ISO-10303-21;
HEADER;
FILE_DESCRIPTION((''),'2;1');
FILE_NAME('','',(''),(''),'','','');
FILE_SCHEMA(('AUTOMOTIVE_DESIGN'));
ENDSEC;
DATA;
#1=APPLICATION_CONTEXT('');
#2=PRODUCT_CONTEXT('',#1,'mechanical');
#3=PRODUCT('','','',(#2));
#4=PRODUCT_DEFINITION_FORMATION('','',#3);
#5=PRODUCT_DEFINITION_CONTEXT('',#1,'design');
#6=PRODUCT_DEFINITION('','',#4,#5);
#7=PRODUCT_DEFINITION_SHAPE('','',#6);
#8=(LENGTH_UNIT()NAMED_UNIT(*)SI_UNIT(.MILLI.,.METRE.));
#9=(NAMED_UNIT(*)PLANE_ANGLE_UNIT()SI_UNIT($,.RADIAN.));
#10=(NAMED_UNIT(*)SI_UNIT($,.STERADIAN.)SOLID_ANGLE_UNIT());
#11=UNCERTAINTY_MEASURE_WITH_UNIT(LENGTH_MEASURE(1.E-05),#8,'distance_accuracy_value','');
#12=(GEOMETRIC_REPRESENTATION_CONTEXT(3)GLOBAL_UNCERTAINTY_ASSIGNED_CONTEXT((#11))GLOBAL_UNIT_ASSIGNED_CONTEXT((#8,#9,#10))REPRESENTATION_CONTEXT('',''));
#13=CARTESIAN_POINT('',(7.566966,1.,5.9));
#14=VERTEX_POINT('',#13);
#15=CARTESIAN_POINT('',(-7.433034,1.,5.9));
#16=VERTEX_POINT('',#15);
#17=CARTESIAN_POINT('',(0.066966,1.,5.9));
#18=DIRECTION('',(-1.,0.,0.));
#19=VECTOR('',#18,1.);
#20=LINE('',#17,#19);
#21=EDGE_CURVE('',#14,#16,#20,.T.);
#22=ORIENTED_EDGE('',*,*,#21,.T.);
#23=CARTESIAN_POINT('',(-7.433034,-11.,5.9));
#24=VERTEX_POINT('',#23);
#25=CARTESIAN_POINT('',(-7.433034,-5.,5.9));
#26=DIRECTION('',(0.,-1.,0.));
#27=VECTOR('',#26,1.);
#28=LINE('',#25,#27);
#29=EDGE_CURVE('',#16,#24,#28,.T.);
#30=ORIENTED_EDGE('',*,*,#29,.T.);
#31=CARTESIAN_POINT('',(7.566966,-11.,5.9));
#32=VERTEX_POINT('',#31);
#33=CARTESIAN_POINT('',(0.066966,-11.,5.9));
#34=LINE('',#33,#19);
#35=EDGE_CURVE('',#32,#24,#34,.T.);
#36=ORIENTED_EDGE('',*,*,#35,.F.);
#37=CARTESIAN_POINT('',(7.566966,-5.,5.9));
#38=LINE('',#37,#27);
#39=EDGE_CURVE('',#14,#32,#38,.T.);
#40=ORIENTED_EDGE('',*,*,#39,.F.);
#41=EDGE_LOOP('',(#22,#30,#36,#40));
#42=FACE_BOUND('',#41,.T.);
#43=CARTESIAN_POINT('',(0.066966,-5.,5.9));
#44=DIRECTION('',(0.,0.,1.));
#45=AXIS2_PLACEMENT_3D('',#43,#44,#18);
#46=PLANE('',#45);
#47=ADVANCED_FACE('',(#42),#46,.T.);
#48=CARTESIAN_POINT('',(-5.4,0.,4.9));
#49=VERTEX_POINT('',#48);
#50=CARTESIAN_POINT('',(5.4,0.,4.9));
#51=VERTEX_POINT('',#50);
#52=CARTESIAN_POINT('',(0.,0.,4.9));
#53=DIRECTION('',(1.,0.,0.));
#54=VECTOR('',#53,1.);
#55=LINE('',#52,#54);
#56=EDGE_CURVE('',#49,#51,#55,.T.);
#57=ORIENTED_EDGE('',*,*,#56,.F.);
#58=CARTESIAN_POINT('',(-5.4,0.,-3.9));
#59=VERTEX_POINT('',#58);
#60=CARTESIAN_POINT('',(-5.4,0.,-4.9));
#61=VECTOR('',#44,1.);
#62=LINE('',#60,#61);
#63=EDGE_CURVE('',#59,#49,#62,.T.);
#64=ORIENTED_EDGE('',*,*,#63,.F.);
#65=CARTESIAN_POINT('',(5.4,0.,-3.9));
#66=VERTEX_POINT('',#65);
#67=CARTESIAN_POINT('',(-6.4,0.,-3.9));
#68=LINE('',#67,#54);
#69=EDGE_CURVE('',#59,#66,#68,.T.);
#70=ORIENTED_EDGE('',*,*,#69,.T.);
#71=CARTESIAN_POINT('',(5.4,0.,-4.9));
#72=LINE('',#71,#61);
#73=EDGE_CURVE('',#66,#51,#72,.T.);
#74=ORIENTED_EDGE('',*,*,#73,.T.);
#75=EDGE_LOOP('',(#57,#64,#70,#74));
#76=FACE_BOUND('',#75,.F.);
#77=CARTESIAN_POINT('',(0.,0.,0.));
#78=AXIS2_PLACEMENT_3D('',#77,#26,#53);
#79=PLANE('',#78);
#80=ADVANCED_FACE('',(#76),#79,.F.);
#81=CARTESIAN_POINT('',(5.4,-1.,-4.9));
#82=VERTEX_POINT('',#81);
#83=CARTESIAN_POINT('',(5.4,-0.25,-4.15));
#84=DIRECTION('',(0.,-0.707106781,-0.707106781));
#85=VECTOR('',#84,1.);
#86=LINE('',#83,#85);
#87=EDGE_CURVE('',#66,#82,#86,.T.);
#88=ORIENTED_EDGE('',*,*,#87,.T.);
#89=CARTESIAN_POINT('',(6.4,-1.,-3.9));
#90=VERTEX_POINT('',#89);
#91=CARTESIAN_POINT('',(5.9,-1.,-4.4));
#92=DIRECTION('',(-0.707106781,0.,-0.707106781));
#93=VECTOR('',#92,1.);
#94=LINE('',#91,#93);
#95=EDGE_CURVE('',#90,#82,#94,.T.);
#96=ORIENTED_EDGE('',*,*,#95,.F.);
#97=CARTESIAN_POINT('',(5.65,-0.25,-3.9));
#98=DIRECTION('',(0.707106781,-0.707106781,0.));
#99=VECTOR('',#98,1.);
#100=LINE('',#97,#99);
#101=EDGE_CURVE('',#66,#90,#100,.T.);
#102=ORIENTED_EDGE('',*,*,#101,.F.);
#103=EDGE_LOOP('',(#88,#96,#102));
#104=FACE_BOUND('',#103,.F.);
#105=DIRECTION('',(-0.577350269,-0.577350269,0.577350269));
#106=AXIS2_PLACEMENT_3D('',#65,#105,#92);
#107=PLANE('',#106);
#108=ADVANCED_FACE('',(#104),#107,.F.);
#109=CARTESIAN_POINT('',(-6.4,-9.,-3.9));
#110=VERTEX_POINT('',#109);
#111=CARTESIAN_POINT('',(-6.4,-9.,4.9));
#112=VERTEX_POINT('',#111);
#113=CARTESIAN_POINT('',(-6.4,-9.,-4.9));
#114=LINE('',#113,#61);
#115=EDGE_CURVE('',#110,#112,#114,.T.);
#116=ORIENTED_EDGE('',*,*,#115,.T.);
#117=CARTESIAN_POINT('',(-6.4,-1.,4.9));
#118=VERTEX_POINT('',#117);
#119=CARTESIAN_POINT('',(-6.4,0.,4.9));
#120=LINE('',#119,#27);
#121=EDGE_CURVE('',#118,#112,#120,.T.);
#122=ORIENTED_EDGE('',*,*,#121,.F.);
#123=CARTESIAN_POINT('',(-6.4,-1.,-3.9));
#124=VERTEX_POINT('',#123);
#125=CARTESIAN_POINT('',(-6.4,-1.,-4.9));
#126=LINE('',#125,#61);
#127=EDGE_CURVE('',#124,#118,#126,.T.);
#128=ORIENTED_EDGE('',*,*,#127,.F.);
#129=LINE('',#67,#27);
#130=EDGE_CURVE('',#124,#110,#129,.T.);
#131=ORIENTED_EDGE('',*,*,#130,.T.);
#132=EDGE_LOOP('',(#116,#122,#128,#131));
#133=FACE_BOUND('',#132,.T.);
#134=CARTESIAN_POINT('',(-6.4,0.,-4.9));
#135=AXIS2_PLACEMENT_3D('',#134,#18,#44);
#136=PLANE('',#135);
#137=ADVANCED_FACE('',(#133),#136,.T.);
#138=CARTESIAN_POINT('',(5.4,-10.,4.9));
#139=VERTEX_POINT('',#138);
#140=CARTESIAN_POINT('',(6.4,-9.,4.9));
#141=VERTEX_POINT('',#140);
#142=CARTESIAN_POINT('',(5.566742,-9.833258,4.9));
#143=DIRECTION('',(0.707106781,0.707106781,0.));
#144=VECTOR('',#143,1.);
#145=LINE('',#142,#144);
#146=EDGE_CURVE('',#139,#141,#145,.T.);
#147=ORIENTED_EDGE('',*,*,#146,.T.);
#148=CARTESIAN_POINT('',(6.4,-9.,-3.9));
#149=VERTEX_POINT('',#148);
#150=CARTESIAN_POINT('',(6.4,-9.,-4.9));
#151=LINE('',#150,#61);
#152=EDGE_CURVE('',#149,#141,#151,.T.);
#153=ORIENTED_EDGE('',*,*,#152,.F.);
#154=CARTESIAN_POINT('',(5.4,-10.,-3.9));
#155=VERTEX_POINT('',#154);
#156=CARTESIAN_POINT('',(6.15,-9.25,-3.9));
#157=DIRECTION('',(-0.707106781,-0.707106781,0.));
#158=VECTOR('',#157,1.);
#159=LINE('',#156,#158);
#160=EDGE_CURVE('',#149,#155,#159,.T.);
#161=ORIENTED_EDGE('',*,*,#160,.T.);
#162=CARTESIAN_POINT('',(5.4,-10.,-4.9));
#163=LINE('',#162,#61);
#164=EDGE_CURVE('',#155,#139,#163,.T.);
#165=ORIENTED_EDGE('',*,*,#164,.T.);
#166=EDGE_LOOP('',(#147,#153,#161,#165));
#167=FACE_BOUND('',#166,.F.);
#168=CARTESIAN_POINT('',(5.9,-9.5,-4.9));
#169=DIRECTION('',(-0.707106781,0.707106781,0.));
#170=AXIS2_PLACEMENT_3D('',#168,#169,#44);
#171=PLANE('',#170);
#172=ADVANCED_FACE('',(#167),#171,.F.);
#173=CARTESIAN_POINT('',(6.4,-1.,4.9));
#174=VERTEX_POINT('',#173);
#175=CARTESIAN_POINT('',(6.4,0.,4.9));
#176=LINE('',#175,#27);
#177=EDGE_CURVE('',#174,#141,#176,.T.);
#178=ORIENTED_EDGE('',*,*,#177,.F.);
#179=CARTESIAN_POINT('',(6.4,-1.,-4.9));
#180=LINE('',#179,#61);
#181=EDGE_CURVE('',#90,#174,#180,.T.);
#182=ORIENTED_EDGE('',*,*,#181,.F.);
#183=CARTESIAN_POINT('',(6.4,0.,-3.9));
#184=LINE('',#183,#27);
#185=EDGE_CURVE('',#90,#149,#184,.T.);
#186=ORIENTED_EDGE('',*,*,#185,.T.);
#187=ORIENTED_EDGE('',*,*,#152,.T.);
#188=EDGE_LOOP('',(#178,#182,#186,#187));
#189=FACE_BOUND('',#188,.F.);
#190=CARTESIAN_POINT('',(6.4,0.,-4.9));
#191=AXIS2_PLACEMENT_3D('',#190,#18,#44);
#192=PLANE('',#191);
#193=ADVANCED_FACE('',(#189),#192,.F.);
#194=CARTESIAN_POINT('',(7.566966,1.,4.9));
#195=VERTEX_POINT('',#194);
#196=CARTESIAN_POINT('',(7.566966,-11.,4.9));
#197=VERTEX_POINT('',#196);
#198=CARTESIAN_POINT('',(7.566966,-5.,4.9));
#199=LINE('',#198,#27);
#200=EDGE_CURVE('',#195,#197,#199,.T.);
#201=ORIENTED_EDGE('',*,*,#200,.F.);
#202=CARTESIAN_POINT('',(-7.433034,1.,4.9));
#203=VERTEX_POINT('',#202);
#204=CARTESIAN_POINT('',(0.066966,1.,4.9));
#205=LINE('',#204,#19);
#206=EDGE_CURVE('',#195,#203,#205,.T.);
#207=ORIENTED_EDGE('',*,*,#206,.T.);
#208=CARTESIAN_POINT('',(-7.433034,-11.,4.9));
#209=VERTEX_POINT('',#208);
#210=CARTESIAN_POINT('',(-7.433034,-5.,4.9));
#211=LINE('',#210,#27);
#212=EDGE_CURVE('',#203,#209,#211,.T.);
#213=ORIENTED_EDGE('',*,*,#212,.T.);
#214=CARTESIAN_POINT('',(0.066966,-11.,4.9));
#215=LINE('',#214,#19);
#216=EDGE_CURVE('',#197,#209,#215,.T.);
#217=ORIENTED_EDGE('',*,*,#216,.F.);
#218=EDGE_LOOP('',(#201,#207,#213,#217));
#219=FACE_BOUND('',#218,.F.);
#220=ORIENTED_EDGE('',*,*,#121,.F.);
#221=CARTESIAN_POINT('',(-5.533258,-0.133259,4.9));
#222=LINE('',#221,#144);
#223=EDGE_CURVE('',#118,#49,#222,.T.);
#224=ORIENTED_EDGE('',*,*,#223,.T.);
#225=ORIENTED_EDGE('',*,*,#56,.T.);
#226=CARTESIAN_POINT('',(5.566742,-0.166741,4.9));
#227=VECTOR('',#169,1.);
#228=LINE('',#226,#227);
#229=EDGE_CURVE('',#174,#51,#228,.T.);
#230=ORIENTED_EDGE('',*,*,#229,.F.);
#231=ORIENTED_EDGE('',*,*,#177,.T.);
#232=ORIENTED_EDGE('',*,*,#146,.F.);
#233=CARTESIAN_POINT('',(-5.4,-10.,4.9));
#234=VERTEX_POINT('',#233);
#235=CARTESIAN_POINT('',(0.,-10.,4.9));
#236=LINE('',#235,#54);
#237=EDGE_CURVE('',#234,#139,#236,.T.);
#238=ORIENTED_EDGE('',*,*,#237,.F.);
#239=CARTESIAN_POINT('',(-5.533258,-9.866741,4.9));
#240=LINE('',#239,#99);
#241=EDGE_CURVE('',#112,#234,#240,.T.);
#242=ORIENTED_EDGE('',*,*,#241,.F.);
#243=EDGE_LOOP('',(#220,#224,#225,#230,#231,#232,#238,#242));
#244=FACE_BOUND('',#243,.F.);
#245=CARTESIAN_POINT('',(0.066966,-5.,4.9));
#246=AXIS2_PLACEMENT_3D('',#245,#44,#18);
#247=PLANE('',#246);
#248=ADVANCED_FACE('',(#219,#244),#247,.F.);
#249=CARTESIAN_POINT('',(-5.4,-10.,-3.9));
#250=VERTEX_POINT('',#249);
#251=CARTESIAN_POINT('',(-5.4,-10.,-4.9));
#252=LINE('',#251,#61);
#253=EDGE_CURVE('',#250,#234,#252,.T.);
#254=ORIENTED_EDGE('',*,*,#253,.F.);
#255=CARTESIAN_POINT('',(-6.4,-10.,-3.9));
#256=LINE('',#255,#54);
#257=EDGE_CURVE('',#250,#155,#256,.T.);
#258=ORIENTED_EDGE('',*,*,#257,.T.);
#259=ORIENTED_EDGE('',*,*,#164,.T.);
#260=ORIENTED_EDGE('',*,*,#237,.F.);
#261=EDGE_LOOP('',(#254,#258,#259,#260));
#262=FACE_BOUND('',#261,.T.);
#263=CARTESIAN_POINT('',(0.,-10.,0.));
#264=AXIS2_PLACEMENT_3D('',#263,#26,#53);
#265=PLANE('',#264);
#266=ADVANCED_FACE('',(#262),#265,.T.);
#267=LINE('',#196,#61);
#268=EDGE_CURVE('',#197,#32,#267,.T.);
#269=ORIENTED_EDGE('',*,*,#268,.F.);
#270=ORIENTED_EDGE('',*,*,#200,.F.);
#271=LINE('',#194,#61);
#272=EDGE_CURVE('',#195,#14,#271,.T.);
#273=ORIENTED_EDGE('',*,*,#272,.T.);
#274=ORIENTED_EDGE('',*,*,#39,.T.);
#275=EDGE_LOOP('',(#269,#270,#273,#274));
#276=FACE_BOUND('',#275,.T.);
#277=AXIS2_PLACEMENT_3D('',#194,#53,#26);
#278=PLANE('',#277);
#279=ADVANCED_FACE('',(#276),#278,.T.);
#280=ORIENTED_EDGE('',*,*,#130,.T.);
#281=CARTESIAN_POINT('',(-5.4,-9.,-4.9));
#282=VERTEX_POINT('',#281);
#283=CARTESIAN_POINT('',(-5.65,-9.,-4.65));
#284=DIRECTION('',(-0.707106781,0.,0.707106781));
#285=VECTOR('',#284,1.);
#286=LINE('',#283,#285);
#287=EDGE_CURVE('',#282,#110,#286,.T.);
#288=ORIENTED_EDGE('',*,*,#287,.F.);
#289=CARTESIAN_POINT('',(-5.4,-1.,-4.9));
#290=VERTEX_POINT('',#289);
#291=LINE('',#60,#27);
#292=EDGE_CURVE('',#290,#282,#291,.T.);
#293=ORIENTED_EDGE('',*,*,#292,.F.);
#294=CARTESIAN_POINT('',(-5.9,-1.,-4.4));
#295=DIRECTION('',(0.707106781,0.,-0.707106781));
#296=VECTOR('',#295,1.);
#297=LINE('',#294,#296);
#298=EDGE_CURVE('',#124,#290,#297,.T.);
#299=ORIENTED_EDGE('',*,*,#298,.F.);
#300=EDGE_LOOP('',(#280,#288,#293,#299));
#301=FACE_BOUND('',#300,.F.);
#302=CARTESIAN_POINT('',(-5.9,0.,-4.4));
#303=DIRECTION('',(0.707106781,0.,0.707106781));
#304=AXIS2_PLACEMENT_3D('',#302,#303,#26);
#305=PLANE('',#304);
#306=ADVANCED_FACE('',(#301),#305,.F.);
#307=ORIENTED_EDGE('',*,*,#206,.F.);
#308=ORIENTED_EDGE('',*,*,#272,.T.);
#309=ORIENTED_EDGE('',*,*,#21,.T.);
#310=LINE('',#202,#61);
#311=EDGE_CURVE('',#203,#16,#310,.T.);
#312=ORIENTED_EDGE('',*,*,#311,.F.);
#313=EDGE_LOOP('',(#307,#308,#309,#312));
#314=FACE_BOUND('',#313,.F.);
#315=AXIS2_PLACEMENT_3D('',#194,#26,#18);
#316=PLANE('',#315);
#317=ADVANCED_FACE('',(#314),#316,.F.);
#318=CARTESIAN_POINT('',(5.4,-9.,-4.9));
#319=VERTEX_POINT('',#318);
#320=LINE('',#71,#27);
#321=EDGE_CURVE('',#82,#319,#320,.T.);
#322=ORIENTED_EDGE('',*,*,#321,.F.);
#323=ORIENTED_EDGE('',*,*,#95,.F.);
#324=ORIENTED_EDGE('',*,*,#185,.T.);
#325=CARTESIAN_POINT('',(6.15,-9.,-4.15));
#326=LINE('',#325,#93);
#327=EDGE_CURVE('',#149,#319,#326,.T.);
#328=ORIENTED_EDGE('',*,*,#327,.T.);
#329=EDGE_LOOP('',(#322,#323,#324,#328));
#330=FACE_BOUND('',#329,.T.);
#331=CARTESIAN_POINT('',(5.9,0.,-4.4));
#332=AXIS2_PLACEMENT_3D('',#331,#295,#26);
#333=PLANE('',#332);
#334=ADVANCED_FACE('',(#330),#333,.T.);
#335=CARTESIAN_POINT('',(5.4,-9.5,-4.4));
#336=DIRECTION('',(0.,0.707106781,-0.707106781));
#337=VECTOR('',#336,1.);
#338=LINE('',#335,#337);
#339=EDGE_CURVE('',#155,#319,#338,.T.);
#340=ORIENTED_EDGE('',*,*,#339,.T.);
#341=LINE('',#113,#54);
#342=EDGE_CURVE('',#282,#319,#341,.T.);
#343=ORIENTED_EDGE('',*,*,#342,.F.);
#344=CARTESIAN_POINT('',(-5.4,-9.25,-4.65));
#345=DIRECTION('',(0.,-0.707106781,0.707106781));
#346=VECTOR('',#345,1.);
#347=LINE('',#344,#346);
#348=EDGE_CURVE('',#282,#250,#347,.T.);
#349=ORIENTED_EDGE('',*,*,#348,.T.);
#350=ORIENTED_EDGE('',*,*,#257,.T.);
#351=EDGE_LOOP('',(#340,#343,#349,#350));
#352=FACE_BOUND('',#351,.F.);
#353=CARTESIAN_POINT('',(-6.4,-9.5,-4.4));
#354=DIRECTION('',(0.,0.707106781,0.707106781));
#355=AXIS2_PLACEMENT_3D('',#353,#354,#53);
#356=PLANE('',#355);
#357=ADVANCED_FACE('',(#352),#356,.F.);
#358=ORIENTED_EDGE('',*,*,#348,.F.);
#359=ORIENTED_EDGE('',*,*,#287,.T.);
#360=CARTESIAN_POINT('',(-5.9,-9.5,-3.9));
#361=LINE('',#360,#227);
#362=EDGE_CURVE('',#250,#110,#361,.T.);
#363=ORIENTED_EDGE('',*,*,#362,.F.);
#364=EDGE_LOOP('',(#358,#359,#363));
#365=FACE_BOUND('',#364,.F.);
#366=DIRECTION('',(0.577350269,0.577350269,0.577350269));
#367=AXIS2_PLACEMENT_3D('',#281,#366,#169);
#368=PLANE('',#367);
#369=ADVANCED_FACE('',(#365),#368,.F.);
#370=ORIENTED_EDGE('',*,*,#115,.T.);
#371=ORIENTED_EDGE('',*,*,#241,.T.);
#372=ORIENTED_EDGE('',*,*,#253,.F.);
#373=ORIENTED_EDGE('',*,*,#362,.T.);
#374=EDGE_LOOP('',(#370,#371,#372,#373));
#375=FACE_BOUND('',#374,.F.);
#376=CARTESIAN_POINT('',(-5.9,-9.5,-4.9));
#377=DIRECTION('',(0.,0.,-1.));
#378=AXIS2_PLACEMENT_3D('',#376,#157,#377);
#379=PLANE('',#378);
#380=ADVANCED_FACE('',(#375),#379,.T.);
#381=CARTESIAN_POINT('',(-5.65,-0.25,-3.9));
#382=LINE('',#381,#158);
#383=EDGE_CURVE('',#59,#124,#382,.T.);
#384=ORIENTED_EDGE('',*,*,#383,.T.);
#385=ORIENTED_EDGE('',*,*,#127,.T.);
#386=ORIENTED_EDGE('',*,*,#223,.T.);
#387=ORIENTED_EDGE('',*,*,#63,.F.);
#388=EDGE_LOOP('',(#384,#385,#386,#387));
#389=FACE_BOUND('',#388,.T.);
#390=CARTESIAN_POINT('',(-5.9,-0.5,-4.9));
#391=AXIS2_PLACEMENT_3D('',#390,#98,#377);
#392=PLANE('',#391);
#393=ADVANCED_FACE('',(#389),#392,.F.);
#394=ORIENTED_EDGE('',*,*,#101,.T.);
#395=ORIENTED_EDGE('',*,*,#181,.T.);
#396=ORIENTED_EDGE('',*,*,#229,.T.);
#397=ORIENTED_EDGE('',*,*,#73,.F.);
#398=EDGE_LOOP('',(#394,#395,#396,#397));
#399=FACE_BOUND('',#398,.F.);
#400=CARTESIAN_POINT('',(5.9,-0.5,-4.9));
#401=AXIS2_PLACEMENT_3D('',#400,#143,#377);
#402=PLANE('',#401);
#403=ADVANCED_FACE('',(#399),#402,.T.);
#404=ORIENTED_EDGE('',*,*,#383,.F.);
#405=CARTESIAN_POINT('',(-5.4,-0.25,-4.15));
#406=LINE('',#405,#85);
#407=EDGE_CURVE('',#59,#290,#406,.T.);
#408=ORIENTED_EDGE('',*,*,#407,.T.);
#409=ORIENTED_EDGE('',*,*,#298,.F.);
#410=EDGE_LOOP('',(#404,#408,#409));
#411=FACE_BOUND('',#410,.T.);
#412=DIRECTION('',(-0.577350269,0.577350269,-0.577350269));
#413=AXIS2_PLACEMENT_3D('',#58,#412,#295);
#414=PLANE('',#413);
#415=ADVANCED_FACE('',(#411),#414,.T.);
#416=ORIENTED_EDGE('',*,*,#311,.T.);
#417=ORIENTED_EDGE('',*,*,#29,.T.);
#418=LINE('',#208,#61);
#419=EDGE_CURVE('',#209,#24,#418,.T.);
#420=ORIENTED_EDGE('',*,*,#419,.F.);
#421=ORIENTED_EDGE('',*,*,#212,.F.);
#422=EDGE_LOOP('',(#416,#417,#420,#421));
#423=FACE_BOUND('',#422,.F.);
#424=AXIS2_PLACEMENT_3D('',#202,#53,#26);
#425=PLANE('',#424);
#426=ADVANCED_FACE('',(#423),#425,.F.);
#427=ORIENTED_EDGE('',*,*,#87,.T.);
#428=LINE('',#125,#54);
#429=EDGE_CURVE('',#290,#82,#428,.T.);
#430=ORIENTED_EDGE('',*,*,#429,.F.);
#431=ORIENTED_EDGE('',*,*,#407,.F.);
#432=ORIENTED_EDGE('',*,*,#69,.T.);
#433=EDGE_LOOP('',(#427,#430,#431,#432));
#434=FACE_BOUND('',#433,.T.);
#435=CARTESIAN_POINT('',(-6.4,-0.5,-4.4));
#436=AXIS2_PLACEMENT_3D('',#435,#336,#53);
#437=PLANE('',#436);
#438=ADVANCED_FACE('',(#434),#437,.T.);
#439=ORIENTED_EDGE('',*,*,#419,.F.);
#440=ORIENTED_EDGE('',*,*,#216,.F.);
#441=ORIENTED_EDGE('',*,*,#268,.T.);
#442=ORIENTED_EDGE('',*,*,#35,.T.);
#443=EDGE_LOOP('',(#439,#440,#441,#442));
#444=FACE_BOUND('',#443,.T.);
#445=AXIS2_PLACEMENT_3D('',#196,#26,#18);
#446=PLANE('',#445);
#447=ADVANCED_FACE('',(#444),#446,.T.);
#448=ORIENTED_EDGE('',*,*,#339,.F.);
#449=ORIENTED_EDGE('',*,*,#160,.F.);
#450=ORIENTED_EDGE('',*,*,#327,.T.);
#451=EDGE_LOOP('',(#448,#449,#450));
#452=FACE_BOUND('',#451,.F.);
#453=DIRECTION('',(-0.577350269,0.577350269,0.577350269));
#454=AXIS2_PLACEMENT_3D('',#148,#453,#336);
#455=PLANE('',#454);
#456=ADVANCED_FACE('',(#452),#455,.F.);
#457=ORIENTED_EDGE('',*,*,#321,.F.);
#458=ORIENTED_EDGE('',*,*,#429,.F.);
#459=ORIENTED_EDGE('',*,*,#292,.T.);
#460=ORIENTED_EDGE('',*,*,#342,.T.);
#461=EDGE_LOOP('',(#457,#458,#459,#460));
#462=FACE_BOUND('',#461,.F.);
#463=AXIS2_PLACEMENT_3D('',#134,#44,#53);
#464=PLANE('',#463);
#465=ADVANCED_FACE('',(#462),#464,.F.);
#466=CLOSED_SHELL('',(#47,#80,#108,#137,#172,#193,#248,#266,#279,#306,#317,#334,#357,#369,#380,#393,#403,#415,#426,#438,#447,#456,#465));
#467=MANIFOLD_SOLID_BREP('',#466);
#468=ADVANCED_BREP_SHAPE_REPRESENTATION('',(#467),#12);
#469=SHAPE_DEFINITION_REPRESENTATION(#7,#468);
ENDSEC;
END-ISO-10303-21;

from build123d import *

# Parameters (mm, degrees)
SKETCH_W     = 12.8
SKETCH_H     = 9.8
PAD_DEPTH    = 10
SKETCH001_W  = 15
SKETCH001_H  = 12
PAD001_DEPTH = 1
CHAMFER_SIZE = 1


with BuildPart() as part:
    # Sketch → Pad (new body)
    with BuildSketch(Plane.XZ):
        Rectangle(SKETCH_W, SKETCH_H)
    extrude(amount=PAD_DEPTH)

    # Sketch001 (on Face1 of Pad) → Pad001 (join)
    with BuildSketch(Plane(origin=(0, 0, 4.9), x_dir=(-1, 0, 0), z_dir=(0, 0, 1))):
        with Locations((-0.066966, 5)):
            Rectangle(SKETCH001_W, SKETCH001_H)
    extrude(amount=PAD001_DEPTH)

    # Chamfer
    chamfer_edges = [part.edges().sort_by_distance(p)[0] for p in [
        (-6.4, -10, 0),
        (0, -10, -4.9),
        (-6.4, -5, -4.9),
        (-6.4, 0, 0),
        (6.4, -10, 0),
        (6.4, -5, -4.9),
        (6.4, 0, 0),
        (0, 0, -4.9),
    ]]
    chamfer(chamfer_edges, length=CHAMFER_SIZE)


solid = part.part
